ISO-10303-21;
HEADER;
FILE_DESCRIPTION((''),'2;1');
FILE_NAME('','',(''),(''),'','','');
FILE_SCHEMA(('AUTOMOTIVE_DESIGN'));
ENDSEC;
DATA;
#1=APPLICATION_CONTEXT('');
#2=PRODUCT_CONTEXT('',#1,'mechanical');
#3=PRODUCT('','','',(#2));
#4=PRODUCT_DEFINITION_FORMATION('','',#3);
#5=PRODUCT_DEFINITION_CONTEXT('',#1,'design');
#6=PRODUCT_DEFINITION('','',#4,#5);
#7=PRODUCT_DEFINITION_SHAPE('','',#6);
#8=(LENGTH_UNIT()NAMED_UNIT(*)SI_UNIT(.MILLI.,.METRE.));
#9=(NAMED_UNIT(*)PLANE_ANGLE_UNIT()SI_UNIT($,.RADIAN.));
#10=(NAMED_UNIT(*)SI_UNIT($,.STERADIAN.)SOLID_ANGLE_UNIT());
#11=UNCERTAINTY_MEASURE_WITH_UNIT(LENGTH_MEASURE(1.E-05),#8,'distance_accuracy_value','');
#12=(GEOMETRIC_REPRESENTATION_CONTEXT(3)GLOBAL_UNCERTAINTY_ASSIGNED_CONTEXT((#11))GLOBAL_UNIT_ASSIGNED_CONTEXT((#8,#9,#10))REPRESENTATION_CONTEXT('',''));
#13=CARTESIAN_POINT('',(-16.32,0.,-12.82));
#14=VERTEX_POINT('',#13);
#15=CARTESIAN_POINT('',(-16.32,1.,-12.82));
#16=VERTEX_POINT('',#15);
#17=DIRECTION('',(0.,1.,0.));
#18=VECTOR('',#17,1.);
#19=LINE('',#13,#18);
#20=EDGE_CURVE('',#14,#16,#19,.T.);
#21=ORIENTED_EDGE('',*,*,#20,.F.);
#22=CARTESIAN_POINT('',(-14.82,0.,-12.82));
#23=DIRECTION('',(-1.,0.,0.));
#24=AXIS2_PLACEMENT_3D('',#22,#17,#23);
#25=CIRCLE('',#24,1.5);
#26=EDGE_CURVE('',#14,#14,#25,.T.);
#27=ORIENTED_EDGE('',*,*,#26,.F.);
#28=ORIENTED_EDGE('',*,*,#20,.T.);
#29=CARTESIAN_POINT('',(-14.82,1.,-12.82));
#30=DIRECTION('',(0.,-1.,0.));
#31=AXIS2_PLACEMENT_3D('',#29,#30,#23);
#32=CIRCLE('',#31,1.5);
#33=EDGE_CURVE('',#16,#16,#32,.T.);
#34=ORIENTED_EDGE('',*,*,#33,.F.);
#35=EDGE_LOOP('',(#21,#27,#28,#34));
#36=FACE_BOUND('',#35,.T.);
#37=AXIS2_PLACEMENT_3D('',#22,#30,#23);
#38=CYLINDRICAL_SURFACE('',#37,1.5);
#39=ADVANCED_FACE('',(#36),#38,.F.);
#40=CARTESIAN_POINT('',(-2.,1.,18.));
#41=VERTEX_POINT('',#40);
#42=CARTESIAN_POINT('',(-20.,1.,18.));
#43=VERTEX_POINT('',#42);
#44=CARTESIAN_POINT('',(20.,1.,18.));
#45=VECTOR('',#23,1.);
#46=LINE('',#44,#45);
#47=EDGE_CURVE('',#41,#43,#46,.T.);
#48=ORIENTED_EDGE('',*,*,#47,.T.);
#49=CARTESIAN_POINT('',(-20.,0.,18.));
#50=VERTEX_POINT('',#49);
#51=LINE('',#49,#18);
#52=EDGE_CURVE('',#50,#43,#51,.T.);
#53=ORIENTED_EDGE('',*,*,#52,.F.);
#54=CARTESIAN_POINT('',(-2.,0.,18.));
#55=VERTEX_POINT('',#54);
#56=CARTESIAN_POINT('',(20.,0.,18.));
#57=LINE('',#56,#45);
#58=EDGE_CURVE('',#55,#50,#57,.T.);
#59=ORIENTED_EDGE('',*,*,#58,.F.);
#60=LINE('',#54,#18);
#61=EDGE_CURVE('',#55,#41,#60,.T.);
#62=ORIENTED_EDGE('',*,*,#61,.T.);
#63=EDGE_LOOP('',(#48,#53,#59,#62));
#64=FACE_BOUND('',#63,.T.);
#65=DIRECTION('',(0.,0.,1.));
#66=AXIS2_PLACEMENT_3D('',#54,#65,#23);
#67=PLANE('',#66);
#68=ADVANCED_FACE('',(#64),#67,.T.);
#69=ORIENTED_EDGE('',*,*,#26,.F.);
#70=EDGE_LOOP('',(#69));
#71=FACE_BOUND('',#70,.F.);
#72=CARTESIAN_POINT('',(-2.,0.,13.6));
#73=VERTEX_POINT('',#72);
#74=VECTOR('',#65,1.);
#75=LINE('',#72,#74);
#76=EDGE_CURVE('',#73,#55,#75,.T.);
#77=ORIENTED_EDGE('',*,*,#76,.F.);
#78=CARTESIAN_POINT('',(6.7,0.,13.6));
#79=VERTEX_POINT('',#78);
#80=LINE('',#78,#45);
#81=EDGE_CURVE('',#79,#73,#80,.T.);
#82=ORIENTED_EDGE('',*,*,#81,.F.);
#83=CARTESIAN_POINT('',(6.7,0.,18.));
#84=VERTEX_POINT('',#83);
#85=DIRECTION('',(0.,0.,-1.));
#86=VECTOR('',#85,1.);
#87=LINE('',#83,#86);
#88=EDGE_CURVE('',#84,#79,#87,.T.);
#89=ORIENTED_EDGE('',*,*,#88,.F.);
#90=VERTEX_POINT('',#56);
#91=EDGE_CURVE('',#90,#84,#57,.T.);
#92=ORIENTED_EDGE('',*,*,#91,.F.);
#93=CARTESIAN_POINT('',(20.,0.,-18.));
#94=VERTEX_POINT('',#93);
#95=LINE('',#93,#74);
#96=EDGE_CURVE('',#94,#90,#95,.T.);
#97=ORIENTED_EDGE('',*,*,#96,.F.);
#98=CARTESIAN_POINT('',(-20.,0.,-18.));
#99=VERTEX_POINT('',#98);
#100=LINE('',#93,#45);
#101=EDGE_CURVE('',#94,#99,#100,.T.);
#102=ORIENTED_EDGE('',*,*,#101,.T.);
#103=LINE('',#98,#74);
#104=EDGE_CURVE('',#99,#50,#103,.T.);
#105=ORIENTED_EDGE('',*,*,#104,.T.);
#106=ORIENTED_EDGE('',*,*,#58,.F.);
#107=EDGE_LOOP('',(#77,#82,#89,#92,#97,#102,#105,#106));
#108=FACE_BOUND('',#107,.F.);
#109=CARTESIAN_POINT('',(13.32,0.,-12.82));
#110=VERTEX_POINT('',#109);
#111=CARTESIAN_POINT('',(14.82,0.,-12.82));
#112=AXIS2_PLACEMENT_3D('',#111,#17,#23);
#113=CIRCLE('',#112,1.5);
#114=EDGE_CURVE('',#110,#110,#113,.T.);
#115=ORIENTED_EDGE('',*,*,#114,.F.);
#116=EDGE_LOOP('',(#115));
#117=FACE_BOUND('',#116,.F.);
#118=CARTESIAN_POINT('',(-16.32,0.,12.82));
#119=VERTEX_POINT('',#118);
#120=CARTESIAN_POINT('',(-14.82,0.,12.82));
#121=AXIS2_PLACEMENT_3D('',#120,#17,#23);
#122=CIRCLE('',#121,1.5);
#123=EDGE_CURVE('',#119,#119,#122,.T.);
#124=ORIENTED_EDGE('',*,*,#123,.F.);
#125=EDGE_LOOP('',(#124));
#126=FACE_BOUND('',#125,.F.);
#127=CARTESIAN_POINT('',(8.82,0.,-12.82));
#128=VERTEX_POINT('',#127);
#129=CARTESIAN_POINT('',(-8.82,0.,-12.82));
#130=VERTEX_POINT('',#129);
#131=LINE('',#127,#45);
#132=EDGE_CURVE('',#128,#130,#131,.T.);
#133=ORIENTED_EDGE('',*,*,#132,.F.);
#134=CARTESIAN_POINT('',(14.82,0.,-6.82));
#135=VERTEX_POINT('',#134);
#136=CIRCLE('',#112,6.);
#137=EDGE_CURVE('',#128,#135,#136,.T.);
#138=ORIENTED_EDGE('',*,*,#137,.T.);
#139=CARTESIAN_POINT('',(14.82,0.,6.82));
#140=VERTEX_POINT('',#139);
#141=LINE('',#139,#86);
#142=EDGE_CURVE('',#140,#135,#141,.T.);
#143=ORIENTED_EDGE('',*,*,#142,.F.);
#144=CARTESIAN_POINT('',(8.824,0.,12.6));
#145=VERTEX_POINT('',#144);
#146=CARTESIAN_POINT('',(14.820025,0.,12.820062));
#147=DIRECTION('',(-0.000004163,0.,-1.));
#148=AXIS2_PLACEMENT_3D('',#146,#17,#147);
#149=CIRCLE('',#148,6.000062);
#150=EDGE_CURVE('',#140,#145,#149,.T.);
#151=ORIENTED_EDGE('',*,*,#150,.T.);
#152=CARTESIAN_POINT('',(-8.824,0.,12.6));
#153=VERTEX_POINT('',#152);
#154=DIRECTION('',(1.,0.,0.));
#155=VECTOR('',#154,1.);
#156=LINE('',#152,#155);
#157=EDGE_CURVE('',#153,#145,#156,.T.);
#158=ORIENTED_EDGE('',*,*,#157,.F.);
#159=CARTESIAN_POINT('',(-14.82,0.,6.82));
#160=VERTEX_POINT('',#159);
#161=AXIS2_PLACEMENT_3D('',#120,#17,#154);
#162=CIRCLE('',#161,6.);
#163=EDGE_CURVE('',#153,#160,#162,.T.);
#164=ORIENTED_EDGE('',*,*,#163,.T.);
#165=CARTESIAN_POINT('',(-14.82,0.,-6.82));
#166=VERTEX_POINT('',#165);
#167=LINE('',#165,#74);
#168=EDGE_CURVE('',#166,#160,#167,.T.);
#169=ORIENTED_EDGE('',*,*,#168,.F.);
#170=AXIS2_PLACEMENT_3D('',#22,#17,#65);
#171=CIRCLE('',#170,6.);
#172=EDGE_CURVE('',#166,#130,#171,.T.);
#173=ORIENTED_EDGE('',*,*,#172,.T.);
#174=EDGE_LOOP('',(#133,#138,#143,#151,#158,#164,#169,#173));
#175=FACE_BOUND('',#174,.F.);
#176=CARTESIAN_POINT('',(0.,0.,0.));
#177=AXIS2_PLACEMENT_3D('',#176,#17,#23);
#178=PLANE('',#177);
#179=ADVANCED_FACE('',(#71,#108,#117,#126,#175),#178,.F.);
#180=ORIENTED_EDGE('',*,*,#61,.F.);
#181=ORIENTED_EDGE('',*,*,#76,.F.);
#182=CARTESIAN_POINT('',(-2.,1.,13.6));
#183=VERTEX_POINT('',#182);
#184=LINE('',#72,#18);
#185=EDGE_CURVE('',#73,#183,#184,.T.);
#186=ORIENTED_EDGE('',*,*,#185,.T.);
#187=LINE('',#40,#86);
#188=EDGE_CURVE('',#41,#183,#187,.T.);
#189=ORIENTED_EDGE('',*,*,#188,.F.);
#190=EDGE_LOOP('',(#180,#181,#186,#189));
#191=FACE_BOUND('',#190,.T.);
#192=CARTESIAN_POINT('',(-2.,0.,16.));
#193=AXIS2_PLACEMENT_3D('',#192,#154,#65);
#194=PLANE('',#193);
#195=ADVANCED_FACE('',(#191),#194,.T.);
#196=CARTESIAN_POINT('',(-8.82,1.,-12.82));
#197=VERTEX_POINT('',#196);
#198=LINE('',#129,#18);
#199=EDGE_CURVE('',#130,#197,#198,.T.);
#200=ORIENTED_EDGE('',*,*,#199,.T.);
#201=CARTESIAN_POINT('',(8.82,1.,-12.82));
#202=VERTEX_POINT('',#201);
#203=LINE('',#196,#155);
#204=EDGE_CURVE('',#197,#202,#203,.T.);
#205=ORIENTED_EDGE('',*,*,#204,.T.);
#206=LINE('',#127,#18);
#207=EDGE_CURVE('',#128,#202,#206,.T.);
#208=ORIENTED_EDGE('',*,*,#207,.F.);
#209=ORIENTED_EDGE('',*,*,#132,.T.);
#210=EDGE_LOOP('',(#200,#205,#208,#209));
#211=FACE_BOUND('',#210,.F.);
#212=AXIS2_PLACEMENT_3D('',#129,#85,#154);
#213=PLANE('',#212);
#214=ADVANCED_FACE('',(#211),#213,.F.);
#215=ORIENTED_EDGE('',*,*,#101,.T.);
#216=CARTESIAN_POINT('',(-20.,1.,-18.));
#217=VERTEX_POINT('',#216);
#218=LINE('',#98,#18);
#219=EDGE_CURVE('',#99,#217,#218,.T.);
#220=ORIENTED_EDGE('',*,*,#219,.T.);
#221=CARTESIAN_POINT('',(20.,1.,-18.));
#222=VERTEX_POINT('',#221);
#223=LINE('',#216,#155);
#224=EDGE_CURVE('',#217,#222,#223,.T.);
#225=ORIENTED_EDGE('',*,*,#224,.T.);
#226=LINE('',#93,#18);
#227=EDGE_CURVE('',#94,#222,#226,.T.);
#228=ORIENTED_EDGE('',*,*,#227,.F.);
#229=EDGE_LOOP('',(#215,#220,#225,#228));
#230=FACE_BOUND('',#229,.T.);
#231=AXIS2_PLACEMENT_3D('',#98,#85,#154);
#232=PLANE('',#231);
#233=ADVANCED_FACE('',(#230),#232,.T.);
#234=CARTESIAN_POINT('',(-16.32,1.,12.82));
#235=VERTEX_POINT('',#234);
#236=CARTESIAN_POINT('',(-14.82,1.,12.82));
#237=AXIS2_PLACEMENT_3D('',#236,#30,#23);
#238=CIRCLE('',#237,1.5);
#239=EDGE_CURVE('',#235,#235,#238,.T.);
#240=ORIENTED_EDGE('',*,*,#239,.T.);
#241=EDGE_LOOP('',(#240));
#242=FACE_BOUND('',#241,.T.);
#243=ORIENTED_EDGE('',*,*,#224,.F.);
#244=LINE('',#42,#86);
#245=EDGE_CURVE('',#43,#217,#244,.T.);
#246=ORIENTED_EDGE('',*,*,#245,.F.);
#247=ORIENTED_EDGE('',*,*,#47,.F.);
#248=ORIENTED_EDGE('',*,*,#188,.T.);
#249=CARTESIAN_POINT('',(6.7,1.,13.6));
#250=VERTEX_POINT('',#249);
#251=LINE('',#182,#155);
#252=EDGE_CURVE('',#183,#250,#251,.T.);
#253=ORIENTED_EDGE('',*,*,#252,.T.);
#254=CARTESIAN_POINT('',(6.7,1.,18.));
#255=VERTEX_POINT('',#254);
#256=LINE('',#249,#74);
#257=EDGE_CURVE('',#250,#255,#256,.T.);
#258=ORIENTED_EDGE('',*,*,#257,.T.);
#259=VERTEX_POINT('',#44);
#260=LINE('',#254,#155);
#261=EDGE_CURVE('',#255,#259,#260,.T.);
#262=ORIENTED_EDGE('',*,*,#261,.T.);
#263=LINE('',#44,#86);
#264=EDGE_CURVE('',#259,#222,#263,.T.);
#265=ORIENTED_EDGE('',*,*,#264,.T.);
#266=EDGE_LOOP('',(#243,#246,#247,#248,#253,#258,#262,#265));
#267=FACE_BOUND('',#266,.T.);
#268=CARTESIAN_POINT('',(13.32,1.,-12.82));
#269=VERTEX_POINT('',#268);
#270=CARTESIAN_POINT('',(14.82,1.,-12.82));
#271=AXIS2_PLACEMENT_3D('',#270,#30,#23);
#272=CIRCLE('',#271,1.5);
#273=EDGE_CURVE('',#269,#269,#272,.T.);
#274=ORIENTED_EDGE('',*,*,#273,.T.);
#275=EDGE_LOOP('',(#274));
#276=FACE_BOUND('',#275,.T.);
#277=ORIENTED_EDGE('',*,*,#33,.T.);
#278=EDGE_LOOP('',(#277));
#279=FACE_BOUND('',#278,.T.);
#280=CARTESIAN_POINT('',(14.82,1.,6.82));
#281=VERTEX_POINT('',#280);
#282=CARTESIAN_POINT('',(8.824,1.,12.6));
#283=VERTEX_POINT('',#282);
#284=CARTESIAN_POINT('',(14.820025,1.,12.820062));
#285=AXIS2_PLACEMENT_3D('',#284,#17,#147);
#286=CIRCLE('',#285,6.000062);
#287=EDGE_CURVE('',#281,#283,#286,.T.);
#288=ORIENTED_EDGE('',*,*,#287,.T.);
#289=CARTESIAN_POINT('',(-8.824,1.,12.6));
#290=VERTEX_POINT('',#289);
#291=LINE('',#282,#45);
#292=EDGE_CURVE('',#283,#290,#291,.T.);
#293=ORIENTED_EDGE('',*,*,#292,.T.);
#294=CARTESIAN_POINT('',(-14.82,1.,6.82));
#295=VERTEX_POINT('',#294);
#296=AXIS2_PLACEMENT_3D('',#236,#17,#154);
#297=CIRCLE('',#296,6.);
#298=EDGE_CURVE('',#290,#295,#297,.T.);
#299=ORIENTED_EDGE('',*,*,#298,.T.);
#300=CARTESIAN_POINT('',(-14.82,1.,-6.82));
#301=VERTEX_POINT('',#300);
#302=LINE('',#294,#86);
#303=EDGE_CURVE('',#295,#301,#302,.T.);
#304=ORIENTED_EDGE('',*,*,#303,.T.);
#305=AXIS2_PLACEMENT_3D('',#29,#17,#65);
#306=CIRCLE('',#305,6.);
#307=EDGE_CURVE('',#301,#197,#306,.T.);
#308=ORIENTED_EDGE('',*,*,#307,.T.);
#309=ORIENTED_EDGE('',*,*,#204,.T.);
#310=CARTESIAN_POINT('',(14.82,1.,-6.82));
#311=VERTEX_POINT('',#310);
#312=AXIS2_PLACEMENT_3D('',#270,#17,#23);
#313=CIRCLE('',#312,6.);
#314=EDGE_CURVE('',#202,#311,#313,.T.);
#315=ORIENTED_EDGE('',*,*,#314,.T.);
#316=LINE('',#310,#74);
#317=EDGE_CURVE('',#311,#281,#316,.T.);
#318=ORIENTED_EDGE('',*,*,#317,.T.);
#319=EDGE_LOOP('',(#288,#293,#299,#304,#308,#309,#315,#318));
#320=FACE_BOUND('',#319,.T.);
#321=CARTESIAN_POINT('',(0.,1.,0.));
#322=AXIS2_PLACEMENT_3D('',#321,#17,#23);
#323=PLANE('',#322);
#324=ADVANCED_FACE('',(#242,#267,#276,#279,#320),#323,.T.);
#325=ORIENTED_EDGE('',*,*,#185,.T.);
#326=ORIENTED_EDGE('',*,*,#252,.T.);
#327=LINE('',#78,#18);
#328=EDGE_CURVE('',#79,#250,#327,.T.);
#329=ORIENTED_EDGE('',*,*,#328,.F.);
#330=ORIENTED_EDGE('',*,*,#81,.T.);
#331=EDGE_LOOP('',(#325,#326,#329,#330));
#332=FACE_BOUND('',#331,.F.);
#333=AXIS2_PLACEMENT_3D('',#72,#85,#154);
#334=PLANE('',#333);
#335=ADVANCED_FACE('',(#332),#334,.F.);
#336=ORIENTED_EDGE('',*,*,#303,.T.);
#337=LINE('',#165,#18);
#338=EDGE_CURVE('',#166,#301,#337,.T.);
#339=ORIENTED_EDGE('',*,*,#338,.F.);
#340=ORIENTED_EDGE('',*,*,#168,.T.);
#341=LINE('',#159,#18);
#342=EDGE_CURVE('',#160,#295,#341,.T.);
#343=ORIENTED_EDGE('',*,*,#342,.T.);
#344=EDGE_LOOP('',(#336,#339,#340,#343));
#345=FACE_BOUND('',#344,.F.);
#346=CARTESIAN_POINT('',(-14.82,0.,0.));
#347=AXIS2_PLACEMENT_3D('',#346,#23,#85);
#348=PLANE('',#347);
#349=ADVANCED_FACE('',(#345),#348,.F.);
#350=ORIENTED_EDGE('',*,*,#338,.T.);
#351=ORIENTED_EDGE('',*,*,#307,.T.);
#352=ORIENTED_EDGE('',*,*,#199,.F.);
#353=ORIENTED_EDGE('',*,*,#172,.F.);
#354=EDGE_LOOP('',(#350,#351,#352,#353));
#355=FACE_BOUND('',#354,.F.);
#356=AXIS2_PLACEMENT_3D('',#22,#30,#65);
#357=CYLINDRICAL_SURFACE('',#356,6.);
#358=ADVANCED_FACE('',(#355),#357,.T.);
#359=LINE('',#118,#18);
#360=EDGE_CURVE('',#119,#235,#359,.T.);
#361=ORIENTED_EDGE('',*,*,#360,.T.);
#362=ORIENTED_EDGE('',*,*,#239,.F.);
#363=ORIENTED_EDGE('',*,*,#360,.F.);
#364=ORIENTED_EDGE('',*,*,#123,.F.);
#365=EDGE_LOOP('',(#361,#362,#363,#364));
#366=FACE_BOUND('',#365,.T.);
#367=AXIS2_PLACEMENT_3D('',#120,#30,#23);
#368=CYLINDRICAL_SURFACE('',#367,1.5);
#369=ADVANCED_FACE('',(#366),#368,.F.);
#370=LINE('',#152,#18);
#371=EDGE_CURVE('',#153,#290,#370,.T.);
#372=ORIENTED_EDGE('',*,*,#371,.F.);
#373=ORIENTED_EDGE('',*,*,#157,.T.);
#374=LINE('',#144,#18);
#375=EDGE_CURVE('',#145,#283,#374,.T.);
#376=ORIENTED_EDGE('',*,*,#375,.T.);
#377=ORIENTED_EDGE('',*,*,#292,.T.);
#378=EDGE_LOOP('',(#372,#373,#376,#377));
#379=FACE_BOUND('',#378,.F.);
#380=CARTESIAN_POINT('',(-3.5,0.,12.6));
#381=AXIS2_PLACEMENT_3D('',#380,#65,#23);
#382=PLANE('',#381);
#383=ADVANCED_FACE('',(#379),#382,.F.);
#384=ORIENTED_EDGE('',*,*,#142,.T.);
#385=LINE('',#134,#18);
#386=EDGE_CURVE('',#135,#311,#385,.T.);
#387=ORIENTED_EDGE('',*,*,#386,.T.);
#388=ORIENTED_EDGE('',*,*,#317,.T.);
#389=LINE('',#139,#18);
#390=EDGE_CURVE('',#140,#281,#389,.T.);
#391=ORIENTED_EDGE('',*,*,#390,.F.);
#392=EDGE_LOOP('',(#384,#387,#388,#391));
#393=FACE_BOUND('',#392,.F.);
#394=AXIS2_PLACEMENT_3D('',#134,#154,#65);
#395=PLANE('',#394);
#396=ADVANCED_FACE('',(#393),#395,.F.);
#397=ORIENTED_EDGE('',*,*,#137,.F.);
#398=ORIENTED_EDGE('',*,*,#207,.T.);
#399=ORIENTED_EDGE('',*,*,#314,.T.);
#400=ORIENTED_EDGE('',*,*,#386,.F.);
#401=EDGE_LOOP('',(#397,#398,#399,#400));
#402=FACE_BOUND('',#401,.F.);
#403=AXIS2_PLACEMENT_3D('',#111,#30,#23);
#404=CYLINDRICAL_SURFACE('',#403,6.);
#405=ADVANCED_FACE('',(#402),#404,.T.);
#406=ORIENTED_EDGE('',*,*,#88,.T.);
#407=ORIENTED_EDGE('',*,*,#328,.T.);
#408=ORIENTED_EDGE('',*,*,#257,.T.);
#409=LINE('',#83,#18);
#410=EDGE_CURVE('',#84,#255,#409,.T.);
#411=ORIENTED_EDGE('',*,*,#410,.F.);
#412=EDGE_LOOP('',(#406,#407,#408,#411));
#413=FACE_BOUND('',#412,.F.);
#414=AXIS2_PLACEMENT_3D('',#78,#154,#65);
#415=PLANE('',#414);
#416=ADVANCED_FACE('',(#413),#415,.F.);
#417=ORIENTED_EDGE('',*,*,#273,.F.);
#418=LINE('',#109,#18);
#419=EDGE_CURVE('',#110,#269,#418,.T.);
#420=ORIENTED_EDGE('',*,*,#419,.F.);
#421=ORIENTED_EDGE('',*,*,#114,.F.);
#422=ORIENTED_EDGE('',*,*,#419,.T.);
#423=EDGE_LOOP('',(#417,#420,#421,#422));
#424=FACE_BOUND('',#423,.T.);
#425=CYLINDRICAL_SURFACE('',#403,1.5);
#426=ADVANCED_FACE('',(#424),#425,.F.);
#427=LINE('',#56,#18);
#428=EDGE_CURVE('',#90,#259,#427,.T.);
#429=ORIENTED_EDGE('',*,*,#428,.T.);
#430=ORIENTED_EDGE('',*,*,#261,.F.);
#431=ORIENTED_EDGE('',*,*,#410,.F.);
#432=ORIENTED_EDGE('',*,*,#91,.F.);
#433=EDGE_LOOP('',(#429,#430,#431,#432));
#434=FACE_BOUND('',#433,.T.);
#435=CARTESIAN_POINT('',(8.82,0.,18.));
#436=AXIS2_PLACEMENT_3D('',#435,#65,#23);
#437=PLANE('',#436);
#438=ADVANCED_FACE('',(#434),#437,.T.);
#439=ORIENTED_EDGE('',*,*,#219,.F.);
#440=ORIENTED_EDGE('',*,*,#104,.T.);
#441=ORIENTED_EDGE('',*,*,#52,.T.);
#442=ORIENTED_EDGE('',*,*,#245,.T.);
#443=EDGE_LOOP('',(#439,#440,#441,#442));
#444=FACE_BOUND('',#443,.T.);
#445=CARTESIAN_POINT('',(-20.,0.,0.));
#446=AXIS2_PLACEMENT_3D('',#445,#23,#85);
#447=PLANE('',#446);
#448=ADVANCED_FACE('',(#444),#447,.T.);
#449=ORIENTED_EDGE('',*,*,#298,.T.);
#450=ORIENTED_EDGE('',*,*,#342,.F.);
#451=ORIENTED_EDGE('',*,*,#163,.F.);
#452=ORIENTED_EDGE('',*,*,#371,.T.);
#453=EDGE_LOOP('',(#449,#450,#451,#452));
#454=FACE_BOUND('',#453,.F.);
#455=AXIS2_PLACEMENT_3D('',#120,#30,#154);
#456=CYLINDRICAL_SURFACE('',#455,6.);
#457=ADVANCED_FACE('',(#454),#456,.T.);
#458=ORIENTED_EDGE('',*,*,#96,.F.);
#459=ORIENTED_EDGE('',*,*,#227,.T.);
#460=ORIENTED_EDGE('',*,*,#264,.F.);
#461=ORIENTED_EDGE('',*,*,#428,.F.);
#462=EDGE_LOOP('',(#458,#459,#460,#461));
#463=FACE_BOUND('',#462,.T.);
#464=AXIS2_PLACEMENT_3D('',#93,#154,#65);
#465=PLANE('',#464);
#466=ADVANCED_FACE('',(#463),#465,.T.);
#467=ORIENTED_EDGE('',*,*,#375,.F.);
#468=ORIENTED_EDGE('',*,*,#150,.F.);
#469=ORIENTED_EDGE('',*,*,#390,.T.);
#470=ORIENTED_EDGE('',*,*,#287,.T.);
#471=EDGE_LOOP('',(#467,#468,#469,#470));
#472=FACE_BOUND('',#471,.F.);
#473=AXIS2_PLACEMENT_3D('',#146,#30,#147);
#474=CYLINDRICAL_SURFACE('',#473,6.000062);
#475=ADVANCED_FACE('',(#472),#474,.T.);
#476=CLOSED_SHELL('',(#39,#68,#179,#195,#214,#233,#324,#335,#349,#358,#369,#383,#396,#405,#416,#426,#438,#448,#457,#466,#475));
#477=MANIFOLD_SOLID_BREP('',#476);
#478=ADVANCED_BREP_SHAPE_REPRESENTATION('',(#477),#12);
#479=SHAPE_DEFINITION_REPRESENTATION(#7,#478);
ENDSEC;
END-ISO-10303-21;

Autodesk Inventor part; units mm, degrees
ref_plane "YZ Plane" through (0, 0, 0) normal (1, 0, 0) x (0, 1, 0)
ref_plane "XZ Plane" through (0, 0, 0) normal (0, 1, 0) x (-1, 0, 0)
ref_plane "XY Plane" through (0, 0, 0) normal (0, 0, 1) x (1, 0, 0)
sketch "Эскиз1" plane through (0, 0, 0) normal (0, 1, 0) x (-1, 0, 0)
  line L0 (18, -16) -> (-18, -16)
  line L1 (-18, -16) -> (-18, 16)
  line L2 (-18, 16) -> (18, 16)
  line L3 (18, 16) -> (18, -16)
  line L4 (0, -25.2) -> (0, 25.2)
  line L5 (28, 0) -> (-28, 0)
  line L6 (14.82, -12.82) -> (-14.82, -12.82)
  line L7 (-14.82, -12.82) -> (-14.82, 12.82)
  line L8 (-14.82, 12.82) -> (14.82, 12.82)
  line L9 (14.82, 12.82) -> (14.82, -12.82)
  circle A0 centre (14.82, -12.82) radius 1.5
  circle A1 centre (14.82, 12.82) radius 1.5
  circle A2 centre (-14.82, 12.82) radius 1.5
  circle A3 centre (-14.82, -12.82) radius 1.5
  arc A4 (14.82, -6.82) -> (8.82, -12.82) centre (14.82, -12.82) ccw
  arc A5 (-8.82, -12.82) -> (-14.82, -6.82) centre (-14.82, -12.82) ccw
  arc A6 (8.82, 12.82) -> (14.82, 6.82) centre (14.82, 12.82) ccw
  arc A7 (-14.82, 6.82) -> (-8.824, 12.6) centre (-14.82, 12.82) ccw
  line L10 (20, -18) -> (-20, -18)
  line L11 (-20, -18) -> (-20, 18)
  line L12 (-20, 18) -> (20, 18)
  line L13 (20, 18) -> (20, -18)
  line L14 (-8.82, -12.82) -> (-8.82, -16)
  line L15 (8.82, -12.82) -> (8.82, -16)
  line L16 (14.82, -6.82) -> (18, -6.82)
  line L17 (14.82, 6.82) -> (18, 6.82)
  line L18 (-14.82, -6.82) -> (-20, -6.82)
  line L19 (-14.82, 6.82) -> (-20, 6.82)
  line L20 (-8.82, 12.82) -> (-8.82, 18)
  line L21 (-18, -6.82) -> (-18, 6.82)
  line L22 (8.82, 16) -> (-8.82, 16)
  line L23 (2, 13.6) -> (-6.7, 13.6)
  line L24 (-6.7, 13.6) -> (-6.7, 18)
  line L25 (3.5, 16) -> (3.5, 12.6)
  line L26 (3.5, 12.6) -> (-8.2, 12.6)
  line L27 (-8.2, 12.6) -> (-8.2, 16)
  line L28 (2, 13.6) -> (2, 18)
  line L29 (3.5, 16) -> (2, 16)
  line L30 (2, 16) -> (2, 18)
  line L31 (14.82, 6.82) -> (18, 6.82)
  line L32 (8.82, 12.82) -> (8.82, 16)
  line L33 (-8.2, 12.6) -> (-8.824, 12.6)
  line L34 (3.5, 12.6) -> (8.824, 12.6)
  line L35 (8.824, 12.6) -> (8.824, 12.82)
  line L36 (8.824, 12.82) -> (3.5, 12.82)
  line L37 (3.5, 12.82) -> (3.5, 12.6)
  point P0 (0, 0)
  point P1 (0, 0)
  point P2 (-13.034, 10.913)
  dimension "d0" = 36
  dimension "d1" = 32
  dimension "d2" = 3.18
  dimension "d3" = 3.18
  dimension "d4" = 3.18
  dimension "d5" = 3.18
  dimension "d6" = 3
  dimension "d7" = 3
  dimension "d8" = 3
  dimension "d9" = 3
  dimension "d10" = 12
  dimension "d11" = 12
  dimension "d12" = 12
  dimension "d13" = 12
  dimension "d14" = 4.966
  dimension "d15" = 5.087
  dimension "d16" = 2
  dimension "d17" = 2
  dimension "d18" = 2
  dimension "d19" = 2
  dimension "d20" = 11.3
  dimension "d21" = 2.4
  dimension "d22" = 1
  dimension "d23" = 1.5
  dimension "d24" = 1.5
  dimension "d25" = 16
extrude "Выдавливание1" add sketch "Эскиз1" along normal blind 1 contours L3 L5 L13 L10 L4 L0 | L0 L15 L6 A0 L9 L16 L3 | L0 L4 L6 L15 | L16 L9 L5 L3 | L4 L10 L11 L18 L1 L0 | L0 L14 L6 L4 | A4 L9 A0 L6 | L5 L9 L17 L3 | L3 L2 L28 L12 L13 L5 | L0 L1 L18 L7 A3 L6 L14 | A0 L9 L6 | L6 L9 A0 | L17 L9 A1 L8 L32 L2 L3 | L6 A3 L7 A5 | A6 L35 L8 A1 L9 | L18 L11 L5 L1 | L1 L5 L7 L18 | A3 L7 L6 | L6 L7 A3 | L26 L27 L8 L4 | L4 L8 L25 L26 | L5 L1 L19 L7 | L32 L8 L25 L2 | A1 L8 L9 | L9 L8 A1 | L34 L25 L8 A6 | A6 L8 L35 | L5 L11 L19 L1 | L8 L27 L2 L24 L23 L4 | L4 L23 L28 L2 L25 L8 | L33 A7 L7 A2 L8 L27 | L19 L1 L2 L20 L8 A2 L7 | L19 L11 L12 L20 L2 L1 | L8 L20 L2 L27 | A2 L8 L7 | L7 L8 A2 | L24 L2 L20 L12
extrude "Выдавливание2" cut sketch "Эскиз1" along normal up to next contours A0 L9 L6 | L6 L9 A0 | A3 L7 L6 | L6 L7 A3 | A1 L8 L9 | L9 L8 A1
equation "\"d6\" = d9"
equation "\"d7\" = d9"
equation "\"d8\" = d9"
properties part number "resin_bottom"
